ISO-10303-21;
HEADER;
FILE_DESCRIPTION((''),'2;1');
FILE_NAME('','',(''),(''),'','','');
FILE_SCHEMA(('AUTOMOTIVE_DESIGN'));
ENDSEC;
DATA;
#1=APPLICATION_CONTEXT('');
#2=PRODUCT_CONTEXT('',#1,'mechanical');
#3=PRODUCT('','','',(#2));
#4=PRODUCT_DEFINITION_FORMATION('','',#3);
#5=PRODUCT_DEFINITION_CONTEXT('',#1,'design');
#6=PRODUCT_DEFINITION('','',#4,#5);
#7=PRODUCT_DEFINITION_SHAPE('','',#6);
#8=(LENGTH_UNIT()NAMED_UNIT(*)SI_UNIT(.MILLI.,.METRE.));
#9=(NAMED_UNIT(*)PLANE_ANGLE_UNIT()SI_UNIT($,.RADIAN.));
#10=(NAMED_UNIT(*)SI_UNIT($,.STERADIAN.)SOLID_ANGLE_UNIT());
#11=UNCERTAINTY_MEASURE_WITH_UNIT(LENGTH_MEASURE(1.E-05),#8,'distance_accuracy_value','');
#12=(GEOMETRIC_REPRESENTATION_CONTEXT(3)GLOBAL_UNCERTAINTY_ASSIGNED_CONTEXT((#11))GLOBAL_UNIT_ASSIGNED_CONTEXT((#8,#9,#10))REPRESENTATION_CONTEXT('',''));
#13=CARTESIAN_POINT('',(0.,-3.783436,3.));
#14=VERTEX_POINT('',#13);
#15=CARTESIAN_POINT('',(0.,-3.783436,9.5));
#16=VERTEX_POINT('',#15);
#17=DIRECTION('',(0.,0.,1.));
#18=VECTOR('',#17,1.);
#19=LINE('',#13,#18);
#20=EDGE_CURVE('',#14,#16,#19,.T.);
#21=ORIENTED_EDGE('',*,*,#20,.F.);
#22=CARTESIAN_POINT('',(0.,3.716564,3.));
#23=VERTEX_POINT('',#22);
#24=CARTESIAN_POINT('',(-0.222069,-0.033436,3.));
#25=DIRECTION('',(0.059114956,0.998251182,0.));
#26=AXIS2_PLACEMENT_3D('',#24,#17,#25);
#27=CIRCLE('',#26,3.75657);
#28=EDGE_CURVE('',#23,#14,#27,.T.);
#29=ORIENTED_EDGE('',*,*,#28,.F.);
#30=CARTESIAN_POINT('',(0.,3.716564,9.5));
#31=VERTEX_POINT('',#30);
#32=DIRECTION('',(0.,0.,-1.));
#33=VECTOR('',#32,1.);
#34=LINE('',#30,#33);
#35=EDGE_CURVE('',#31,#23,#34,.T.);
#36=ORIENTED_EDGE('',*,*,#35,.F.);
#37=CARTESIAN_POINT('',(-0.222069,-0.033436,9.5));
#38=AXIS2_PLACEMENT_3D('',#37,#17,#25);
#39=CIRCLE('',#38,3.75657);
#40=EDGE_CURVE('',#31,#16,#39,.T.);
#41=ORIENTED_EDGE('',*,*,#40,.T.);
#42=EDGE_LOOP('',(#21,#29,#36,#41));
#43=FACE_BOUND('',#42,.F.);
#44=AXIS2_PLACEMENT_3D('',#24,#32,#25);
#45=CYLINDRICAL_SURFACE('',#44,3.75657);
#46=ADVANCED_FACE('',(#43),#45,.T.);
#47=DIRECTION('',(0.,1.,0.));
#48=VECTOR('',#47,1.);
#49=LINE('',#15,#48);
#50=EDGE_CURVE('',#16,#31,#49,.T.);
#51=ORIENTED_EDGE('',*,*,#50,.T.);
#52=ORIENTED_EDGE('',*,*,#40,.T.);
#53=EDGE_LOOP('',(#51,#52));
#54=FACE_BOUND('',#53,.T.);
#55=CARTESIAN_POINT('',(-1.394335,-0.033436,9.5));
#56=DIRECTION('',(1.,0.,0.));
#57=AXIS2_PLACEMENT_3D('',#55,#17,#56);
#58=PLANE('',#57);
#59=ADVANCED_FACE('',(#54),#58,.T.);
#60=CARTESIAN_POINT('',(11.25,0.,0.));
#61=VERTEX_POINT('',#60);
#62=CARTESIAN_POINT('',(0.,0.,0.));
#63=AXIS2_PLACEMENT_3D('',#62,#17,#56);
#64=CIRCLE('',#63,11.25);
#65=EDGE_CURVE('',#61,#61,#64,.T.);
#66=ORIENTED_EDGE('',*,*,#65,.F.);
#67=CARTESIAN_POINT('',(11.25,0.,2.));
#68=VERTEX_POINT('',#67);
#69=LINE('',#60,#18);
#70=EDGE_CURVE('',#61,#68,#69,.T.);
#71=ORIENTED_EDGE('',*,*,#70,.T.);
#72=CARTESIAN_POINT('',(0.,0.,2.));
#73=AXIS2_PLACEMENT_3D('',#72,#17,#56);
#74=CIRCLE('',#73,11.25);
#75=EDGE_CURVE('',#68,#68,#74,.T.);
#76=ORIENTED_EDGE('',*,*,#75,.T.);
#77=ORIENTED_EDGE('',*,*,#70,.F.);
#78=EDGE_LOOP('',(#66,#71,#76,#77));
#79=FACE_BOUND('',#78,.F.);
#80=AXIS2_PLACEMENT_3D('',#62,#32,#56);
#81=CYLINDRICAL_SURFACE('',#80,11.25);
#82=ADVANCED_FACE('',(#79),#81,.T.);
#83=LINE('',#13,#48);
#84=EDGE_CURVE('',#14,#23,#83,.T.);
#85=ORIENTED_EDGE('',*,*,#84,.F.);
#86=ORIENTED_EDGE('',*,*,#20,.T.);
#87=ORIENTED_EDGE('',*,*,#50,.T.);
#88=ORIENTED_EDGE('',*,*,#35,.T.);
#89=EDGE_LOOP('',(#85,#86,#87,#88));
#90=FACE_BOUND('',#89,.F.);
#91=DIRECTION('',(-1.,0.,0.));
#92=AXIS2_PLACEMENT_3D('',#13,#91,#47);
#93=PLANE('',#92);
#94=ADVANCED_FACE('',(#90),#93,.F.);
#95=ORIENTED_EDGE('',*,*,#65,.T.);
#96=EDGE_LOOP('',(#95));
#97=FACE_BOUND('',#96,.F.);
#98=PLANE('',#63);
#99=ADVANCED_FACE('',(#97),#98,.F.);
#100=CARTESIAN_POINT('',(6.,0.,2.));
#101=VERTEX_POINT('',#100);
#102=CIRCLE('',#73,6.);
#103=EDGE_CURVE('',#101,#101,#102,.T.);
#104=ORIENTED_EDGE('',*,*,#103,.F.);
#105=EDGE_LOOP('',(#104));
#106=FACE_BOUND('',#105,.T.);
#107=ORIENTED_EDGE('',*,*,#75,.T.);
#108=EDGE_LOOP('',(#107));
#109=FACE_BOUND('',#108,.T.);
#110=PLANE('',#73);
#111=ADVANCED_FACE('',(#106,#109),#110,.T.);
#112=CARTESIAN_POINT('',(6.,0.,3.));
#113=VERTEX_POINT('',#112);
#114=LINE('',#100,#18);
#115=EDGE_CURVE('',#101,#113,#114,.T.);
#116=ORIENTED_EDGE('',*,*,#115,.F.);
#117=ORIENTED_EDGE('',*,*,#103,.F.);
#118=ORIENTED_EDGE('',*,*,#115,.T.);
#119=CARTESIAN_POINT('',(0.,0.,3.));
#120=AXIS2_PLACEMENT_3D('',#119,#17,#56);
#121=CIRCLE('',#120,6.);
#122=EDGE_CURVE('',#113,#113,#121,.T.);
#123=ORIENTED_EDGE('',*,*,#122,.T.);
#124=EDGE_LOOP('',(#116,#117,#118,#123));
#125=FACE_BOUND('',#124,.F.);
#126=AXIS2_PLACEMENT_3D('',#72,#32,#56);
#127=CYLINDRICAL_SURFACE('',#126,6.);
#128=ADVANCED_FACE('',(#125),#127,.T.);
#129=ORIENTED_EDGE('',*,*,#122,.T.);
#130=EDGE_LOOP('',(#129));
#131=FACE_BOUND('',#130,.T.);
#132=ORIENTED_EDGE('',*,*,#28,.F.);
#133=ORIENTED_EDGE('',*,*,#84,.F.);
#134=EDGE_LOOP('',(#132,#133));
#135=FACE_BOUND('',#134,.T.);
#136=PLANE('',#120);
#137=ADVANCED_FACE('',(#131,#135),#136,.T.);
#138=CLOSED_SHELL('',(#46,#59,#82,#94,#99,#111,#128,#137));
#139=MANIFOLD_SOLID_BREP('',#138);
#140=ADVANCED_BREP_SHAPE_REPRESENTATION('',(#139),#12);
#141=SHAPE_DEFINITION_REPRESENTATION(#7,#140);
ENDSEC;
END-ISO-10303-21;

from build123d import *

# Parameters (mm, degrees)
F0_R     = 11.25
F1_DEPTH = 2
F2_R     = 6
F3_DEPTH = 1
F6_DEPTH = 6.5
F7_DEPTH = 6


with BuildPart() as f1:
    # F0 (on Top) → F1 (new body)
    with BuildSketch(Plane.XY):
        Circle(F0_R)
    extrude(amount=F1_DEPTH)

    # F2 (on face) → F3 (join)
    with BuildSketch(Plane.XY.offset(2)):
        Circle(F2_R)
    extrude(amount=F3_DEPTH)

    # F5 (on face) → F6 (join)
    with BuildSketch(Plane.XY.offset(3)):
        with BuildLine():
            ThreePointArc((0, 3.716564), (-3.978639, -0.033436), (0, -3.783436))
            Line((0, -3.783436), (0, 3.716564))
        make_face()
    extrude(amount=F6_DEPTH)

    # F5 (on face) → F7 (join)
    with BuildSketch(Plane.XY.offset(3)):
        with BuildLine():
            ThreePointArc((0, 3.716564), (-3.978639, -0.033436), (0, -3.783436))
            Line((0, -3.783436), (0, 3.716564))
        make_face()
    extrude(amount=F7_DEPTH)


solid = f1.part
